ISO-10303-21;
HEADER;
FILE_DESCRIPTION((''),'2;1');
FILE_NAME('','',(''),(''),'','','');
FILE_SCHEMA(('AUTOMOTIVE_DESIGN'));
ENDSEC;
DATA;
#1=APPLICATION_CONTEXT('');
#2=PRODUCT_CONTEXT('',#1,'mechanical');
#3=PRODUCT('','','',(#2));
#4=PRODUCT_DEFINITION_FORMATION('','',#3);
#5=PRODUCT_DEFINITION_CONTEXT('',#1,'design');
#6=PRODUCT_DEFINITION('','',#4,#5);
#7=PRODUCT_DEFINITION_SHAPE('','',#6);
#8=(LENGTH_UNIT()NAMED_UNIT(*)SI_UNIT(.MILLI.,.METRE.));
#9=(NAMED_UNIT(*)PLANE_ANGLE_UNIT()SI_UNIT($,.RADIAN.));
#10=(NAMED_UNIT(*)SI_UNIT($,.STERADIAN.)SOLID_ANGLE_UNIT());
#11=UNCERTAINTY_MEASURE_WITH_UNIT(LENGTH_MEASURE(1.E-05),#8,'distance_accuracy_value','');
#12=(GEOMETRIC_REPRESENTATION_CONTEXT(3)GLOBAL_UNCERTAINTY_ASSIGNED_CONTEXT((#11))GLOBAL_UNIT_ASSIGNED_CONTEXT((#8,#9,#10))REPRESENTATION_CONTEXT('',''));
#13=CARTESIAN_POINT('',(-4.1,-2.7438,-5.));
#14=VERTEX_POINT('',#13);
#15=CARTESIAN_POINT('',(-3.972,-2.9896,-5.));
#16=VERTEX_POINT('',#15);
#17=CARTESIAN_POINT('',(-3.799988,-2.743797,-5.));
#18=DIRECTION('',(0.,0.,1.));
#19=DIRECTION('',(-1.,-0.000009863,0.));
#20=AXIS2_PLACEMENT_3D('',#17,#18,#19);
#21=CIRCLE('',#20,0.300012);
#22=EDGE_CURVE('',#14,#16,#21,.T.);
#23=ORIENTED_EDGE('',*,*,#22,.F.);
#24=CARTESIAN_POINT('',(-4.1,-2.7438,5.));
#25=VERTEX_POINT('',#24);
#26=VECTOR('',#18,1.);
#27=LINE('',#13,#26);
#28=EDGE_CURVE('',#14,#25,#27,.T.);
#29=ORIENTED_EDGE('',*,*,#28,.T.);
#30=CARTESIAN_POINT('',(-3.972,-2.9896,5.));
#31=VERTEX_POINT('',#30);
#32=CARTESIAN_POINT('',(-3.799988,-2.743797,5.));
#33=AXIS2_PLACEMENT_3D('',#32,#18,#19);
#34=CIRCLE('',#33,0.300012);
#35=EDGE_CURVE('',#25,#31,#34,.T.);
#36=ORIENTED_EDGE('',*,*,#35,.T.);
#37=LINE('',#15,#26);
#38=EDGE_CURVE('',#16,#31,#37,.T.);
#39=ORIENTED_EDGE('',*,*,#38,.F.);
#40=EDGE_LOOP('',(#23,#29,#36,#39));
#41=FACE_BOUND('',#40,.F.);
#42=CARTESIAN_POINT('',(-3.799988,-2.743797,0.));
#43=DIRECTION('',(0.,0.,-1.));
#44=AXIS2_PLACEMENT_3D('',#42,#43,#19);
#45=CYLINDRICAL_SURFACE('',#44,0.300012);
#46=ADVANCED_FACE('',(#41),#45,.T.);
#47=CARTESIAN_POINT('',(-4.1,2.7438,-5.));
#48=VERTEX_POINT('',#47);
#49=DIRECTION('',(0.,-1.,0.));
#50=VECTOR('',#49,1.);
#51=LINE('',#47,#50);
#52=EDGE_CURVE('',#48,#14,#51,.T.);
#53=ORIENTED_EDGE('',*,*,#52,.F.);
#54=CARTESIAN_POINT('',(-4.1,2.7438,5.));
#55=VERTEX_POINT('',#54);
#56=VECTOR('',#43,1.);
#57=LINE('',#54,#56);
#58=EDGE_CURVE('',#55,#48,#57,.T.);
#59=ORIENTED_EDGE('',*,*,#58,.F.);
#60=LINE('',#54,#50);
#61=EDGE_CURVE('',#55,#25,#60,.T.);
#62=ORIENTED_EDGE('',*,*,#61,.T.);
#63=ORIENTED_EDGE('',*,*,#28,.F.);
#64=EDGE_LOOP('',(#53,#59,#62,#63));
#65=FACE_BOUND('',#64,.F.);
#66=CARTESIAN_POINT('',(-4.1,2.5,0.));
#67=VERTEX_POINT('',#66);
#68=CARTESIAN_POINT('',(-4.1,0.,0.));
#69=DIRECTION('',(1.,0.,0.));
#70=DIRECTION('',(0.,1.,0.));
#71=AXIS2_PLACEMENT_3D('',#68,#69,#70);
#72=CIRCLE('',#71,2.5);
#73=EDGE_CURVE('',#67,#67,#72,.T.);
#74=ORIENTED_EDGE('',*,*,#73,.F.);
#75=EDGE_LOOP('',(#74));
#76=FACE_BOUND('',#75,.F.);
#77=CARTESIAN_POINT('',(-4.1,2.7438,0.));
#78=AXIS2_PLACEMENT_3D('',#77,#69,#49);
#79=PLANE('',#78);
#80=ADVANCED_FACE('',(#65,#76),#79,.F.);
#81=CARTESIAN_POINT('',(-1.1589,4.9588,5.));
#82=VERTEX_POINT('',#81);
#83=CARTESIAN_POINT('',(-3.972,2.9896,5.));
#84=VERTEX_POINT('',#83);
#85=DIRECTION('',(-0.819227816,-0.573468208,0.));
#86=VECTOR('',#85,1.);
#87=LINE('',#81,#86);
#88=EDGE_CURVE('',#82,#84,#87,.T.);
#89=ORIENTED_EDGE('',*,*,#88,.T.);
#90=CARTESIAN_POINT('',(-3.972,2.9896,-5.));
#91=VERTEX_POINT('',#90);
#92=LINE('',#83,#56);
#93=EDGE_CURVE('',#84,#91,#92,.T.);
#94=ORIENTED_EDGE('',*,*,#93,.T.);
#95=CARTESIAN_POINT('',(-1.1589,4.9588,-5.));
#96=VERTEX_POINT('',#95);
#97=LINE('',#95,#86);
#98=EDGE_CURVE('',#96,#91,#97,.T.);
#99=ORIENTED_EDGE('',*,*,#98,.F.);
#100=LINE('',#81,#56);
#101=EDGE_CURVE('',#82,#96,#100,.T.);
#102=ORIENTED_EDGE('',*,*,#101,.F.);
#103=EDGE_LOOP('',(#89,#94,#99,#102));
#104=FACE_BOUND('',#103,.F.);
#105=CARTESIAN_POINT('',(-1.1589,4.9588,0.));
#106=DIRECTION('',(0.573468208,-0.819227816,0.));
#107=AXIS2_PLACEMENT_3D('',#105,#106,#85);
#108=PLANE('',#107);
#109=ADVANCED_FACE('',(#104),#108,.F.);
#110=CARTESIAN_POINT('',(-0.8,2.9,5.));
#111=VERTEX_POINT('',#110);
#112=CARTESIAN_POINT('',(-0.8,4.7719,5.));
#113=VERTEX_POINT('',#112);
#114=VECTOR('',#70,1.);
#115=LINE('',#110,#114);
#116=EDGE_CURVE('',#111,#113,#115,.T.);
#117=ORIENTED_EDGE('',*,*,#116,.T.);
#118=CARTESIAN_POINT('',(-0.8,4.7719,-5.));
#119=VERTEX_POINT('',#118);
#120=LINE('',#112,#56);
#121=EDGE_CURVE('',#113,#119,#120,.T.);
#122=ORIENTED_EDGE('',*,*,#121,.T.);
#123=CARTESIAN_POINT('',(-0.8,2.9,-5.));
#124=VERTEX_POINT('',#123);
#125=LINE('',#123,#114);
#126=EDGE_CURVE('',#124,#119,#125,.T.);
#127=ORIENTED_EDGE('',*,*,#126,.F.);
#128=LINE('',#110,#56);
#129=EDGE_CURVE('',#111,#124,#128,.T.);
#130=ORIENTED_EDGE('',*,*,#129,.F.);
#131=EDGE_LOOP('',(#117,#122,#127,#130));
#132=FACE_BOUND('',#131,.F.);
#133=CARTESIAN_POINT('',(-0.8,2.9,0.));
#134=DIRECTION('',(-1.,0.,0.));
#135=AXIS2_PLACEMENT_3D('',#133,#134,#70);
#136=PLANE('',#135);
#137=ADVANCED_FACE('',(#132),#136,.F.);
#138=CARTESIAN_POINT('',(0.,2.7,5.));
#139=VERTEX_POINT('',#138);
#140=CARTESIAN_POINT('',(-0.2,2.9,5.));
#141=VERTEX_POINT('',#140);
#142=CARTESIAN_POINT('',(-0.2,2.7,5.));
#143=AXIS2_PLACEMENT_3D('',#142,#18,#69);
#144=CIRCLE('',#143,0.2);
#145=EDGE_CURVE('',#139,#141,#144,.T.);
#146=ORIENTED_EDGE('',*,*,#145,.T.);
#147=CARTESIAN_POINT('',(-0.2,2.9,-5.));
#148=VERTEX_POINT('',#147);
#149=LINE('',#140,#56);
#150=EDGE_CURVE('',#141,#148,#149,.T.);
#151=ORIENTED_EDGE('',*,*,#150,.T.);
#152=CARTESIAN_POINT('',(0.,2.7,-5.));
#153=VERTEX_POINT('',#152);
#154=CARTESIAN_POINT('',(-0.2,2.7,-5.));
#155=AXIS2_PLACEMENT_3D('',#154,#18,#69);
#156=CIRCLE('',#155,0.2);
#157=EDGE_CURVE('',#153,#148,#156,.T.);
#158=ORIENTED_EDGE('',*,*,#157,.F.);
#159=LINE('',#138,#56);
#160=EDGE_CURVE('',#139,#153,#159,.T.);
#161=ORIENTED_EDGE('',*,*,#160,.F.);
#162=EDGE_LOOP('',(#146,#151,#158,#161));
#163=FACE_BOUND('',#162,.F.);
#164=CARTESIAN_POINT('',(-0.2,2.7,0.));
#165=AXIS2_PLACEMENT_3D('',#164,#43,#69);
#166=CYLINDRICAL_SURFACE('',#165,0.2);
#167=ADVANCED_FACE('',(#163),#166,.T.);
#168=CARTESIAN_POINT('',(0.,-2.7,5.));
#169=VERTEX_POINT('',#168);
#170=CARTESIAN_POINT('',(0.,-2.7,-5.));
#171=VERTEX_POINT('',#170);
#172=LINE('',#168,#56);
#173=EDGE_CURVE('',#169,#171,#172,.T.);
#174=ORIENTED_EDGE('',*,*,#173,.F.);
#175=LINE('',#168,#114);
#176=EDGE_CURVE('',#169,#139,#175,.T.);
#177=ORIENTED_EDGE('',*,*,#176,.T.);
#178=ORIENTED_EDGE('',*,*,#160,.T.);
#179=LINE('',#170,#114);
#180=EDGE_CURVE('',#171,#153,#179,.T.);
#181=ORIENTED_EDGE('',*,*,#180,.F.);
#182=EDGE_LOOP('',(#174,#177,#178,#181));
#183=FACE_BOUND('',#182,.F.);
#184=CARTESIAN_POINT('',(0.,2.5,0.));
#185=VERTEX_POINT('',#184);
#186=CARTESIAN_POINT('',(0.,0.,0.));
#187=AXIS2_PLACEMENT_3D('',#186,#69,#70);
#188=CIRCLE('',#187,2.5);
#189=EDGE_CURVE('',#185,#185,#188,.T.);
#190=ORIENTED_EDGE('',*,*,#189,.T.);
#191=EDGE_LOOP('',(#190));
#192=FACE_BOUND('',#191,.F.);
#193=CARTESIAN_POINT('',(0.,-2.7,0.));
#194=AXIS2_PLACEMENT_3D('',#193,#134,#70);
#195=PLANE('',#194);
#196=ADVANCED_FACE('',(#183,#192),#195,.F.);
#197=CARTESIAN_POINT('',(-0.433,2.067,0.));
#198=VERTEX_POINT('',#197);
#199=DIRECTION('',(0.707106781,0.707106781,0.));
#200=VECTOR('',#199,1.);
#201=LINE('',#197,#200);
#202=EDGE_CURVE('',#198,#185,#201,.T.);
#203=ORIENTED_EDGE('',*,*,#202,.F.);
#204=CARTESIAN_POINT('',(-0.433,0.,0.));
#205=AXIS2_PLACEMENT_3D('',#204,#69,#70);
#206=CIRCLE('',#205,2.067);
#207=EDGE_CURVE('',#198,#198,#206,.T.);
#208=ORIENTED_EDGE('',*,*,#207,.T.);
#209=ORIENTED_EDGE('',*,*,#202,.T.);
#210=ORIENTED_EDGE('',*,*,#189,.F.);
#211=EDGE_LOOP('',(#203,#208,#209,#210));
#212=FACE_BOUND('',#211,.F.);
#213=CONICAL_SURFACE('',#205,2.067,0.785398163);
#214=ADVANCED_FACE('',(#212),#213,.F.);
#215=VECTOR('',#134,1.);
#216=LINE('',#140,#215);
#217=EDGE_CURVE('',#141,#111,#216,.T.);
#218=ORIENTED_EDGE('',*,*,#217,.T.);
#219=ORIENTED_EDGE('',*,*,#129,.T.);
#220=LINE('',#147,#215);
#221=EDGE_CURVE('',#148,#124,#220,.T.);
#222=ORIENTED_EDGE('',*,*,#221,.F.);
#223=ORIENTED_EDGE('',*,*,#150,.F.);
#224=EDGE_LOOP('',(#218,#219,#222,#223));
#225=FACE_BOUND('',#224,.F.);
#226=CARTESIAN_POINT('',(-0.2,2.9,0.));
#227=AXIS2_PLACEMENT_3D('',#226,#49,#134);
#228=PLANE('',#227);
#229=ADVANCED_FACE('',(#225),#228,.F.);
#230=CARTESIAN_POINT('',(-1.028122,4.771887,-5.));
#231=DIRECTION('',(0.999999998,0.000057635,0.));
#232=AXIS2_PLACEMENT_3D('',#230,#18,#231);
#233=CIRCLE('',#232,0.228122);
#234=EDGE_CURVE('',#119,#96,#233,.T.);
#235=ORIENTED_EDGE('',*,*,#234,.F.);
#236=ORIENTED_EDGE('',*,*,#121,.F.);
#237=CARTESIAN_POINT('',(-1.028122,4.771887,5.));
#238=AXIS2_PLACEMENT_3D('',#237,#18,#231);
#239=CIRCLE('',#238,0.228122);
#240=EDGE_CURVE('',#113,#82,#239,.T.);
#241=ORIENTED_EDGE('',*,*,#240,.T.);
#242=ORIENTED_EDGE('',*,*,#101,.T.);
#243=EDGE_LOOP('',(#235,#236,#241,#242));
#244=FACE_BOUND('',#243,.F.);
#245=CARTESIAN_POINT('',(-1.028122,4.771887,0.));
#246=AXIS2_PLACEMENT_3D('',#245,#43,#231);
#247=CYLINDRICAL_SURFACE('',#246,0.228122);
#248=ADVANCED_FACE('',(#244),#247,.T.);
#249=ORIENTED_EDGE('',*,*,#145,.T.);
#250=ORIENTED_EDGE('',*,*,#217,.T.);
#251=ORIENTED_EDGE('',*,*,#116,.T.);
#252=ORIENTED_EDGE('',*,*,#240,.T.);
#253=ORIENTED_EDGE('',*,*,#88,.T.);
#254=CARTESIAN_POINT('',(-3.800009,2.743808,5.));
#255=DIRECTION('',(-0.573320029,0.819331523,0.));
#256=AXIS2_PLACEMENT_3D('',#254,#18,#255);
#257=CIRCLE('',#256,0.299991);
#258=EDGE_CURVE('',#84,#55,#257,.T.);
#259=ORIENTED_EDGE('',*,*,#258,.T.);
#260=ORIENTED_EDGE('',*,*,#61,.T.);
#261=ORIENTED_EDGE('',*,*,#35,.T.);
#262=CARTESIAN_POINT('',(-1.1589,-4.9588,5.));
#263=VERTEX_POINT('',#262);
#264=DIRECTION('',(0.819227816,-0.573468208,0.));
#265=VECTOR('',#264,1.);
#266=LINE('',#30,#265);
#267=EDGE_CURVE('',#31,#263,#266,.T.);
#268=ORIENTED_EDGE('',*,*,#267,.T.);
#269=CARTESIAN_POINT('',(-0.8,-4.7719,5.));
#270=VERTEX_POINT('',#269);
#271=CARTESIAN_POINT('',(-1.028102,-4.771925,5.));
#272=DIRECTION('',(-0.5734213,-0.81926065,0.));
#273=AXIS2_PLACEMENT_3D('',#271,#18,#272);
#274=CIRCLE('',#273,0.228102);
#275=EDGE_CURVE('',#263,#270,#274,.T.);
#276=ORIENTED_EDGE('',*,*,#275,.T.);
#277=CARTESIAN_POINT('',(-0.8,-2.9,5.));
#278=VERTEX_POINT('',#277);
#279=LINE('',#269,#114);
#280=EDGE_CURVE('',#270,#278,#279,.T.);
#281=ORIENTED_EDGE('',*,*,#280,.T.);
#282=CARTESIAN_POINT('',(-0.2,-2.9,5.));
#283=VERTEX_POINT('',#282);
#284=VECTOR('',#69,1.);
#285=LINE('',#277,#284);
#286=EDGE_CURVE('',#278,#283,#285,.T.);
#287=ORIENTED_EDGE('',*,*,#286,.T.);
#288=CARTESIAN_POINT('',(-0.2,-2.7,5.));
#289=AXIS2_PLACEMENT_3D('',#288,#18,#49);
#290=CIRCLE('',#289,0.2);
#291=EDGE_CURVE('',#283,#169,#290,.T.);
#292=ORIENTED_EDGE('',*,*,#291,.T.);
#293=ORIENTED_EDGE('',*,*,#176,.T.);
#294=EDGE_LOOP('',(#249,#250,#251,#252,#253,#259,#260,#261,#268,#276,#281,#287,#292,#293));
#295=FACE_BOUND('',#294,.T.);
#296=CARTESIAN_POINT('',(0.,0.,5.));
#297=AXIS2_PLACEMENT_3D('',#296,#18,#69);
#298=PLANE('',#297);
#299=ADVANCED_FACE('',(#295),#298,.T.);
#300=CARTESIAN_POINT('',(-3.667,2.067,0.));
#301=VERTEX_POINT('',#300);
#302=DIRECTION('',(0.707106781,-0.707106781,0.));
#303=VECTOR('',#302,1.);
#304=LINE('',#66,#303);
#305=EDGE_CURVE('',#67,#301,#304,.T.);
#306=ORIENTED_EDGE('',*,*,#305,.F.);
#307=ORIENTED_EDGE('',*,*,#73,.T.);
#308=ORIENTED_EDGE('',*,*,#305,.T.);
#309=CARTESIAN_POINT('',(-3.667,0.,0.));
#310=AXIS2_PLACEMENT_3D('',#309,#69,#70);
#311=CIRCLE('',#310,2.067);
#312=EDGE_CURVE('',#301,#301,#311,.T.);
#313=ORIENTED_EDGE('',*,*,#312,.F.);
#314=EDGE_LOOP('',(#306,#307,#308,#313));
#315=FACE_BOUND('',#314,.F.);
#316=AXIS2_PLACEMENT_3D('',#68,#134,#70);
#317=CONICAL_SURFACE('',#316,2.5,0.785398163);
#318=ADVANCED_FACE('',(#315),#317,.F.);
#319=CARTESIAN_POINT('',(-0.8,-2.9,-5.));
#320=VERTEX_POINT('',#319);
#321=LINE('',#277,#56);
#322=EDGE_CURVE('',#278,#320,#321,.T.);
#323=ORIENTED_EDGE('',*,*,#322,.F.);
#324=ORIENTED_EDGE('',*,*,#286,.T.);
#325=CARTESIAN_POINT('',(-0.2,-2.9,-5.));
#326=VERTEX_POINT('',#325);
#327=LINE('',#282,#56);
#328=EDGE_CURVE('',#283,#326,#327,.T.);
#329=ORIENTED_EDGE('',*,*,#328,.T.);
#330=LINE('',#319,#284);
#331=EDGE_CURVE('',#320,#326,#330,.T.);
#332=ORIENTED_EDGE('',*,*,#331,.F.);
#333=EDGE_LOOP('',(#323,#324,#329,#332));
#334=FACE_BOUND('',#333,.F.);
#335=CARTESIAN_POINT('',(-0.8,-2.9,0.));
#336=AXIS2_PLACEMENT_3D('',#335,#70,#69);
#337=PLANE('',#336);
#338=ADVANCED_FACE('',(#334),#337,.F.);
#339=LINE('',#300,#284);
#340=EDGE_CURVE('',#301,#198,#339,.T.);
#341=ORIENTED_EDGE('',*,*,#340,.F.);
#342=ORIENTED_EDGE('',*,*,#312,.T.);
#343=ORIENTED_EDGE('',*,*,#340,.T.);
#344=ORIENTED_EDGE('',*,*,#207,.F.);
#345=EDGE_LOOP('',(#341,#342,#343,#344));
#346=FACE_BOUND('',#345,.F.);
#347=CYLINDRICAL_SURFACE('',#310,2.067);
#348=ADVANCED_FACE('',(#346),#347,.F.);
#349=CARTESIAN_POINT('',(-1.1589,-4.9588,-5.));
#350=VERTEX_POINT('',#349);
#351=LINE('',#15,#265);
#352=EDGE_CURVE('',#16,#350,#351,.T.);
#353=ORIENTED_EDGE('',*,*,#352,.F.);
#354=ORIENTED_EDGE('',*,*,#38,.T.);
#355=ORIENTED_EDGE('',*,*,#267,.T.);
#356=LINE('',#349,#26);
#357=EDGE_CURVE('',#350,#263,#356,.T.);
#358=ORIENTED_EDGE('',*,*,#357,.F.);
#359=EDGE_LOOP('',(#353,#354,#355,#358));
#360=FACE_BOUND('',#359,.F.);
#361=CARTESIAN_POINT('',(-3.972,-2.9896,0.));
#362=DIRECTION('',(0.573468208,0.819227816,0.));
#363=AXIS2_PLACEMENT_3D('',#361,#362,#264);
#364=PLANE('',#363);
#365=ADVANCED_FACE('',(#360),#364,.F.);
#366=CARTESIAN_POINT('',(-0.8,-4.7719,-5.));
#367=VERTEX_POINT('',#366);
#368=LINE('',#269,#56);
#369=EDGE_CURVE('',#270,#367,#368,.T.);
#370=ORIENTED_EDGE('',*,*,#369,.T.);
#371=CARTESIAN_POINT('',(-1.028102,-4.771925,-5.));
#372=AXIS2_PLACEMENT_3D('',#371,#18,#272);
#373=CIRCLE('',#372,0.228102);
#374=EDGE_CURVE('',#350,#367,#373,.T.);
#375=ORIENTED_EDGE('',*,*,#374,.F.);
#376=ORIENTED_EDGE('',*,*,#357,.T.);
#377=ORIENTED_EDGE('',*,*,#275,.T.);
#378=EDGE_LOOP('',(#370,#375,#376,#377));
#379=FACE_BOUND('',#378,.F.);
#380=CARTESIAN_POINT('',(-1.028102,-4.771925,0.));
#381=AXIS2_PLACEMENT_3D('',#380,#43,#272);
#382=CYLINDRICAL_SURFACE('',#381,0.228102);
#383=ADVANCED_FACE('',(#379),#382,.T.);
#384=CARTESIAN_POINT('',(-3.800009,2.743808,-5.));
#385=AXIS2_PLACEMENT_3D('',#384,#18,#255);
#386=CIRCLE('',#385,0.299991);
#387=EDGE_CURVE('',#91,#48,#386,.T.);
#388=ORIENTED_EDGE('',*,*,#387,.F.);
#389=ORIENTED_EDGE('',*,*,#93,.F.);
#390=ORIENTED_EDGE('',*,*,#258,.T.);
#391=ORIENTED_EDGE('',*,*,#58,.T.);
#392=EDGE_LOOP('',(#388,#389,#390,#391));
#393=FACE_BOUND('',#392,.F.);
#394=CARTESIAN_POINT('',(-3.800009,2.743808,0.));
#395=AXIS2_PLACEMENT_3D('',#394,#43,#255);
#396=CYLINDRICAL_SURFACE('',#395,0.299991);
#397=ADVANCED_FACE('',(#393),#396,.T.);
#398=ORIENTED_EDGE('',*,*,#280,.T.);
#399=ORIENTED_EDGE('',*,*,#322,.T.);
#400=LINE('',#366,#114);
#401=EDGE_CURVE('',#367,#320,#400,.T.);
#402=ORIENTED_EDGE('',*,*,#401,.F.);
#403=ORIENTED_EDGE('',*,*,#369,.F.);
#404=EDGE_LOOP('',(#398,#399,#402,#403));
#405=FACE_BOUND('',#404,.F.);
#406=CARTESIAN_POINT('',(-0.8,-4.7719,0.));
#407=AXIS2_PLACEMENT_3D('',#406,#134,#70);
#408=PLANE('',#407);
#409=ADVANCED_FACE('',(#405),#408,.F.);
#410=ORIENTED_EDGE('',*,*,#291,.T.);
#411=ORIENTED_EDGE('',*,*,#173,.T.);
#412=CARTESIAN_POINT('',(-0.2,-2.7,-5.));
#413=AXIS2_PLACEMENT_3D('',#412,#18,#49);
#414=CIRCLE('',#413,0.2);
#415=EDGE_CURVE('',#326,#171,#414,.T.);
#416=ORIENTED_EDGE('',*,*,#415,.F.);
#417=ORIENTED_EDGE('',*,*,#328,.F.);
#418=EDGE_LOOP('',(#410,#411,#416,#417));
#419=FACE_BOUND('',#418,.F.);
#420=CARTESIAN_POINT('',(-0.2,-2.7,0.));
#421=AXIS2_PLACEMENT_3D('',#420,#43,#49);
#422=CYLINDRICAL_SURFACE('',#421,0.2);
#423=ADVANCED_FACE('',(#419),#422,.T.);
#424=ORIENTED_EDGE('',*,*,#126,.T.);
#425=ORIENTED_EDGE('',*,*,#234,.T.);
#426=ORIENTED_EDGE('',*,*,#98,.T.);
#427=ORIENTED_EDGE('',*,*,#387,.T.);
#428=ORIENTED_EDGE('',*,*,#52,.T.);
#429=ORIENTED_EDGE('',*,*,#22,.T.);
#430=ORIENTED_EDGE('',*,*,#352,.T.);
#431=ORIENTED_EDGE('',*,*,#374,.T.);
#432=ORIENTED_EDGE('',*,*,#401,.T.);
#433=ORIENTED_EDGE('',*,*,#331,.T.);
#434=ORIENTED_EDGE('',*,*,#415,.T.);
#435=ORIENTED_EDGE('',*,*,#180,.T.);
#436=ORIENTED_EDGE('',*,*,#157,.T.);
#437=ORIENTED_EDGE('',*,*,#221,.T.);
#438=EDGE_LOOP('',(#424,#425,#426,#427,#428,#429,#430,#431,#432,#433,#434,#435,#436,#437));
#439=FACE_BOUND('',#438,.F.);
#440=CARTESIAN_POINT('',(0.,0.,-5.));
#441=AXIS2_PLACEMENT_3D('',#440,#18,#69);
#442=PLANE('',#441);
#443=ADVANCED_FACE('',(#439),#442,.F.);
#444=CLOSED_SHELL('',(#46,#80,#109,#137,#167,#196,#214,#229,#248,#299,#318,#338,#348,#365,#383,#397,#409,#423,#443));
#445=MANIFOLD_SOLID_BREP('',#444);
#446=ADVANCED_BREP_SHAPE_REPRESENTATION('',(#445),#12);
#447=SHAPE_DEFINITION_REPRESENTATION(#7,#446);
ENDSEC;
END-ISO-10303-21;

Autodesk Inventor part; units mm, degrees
sketch "Sketch_2" plane through (0, 0, 0) normal (0, 0, 1) x (1, 0, 0)
  arc A0 (-4.1, -2.7438) -> (-3.972, -2.9896) centre (-3.8, -2.7438) ccw
  line L0 (-3.972, -2.9896) -> (-1.1589, -4.9588)
  arc A1 (-1.1589, -4.9588) -> (-0.8, -4.7719) centre (-1.0281, -4.7719) ccw
  line L1 (-0.8, -4.7719) -> (-0.8, -2.9)
  line L2 (-0.8, -2.9) -> (-0.2, -2.9)
  arc A2 (-0.2, -2.9) -> (0, -2.7) centre (-0.2, -2.7) ccw
  line L3 (0, -2.7) -> (0, 2.7)
  arc A3 (0, 2.7) -> (-0.2, 2.9) centre (-0.2, 2.7) ccw
  line L4 (-0.2, 2.9) -> (-0.8, 2.9)
  line L5 (-0.8, 2.9) -> (-0.8, 4.7719)
  arc A4 (-0.8, 4.7719) -> (-1.1589, 4.9588) centre (-1.0281, 4.7719) ccw
  line L6 (-1.1589, 4.9588) -> (-3.972, 2.9896)
  arc A5 (-3.972, 2.9896) -> (-4.1, 2.7438) centre (-3.8, 2.7438) ccw
  line L7 (-4.1, 2.7438) -> (-4.1, -2.7438)
extrude "Extrusion1" add sketch "Sketch_2" along normal mid plane 10
sketch "Sketch_5" plane through (0, 0, 0) normal (0, 0, 1) x (1, 0, 0)
  line L0 (0, 0) -> (-4.1, 0)
  line L1 (-4.1, 0) -> (-4.1, 2.5)
  line L2 (-4.1, 2.5) -> (-3.667, 2.067)
  line L3 (-3.667, 2.067) -> (-0.433, 2.067)
  line L4 (-0.433, 2.067) -> (0, 2.5)
  line L5 (0, 2.5) -> (0, 0)
  line L6 (0, 0) -> (-4.1, 0)
revolve "Revolution1" cut sketch "Sketch_5" angle 360 about axis through (0, 0, 0) along (1, 0, 0)
thread "Thread1" size "M5x0.8" class "6H" standard "ISO Metric profile" full length
ref_plane "nut_XY" through (0, 0, 0) normal (1, 0, 0) x (0, 0, -1)
ref_plane "nut_YZ" through (0, 0, 0) normal (0, 0, -1) x (0, 1, 0)
ref_plane "nut_ZX" through (0, 0, 0) normal (0, 1, 0) x (1, 0, 0)
ref_plane "to_bolt_XY" through (-4.1, 0, 0) normal (1, 0, 0) x (0, 0, -1)
ref_plane "to_bolt_YZ" through (-4.1, 0, 0) normal (0, 0, -1) x (0, 1, 0)
ref_plane "to_bolt_ZX" through (-4.1, 0, 0) normal (0, 1, 0) x (1, 0, 0)
ref_plane "to_frames_XY" through (-0.8, 0, 0) normal (1, 0, 0) x (0, 0, -1)
ref_plane "to_frames_YZ" through (-0.8, 0, 0) normal (0, 0, -1) x (0, 1, 0)
ref_plane "to_frames_ZX" through (-0.8, 0, 0) normal (0, 1, 0) x (1, 0, 0)
ref_plane "to_lane_XY" through (0, 0, 0) normal (0, 0, 1) x (1, 0, 0)
ref_plane "to_lane_YZ" through (0, 0, 0) normal (1, 0, 0) x (0, 1, 0)
ref_plane "to_lane_ZX" through (0, 0, 0) normal (0, 1, 0) x (0, 0, 1)
properties part number "HNTT5-5" material "鋼、炭素鋼"
